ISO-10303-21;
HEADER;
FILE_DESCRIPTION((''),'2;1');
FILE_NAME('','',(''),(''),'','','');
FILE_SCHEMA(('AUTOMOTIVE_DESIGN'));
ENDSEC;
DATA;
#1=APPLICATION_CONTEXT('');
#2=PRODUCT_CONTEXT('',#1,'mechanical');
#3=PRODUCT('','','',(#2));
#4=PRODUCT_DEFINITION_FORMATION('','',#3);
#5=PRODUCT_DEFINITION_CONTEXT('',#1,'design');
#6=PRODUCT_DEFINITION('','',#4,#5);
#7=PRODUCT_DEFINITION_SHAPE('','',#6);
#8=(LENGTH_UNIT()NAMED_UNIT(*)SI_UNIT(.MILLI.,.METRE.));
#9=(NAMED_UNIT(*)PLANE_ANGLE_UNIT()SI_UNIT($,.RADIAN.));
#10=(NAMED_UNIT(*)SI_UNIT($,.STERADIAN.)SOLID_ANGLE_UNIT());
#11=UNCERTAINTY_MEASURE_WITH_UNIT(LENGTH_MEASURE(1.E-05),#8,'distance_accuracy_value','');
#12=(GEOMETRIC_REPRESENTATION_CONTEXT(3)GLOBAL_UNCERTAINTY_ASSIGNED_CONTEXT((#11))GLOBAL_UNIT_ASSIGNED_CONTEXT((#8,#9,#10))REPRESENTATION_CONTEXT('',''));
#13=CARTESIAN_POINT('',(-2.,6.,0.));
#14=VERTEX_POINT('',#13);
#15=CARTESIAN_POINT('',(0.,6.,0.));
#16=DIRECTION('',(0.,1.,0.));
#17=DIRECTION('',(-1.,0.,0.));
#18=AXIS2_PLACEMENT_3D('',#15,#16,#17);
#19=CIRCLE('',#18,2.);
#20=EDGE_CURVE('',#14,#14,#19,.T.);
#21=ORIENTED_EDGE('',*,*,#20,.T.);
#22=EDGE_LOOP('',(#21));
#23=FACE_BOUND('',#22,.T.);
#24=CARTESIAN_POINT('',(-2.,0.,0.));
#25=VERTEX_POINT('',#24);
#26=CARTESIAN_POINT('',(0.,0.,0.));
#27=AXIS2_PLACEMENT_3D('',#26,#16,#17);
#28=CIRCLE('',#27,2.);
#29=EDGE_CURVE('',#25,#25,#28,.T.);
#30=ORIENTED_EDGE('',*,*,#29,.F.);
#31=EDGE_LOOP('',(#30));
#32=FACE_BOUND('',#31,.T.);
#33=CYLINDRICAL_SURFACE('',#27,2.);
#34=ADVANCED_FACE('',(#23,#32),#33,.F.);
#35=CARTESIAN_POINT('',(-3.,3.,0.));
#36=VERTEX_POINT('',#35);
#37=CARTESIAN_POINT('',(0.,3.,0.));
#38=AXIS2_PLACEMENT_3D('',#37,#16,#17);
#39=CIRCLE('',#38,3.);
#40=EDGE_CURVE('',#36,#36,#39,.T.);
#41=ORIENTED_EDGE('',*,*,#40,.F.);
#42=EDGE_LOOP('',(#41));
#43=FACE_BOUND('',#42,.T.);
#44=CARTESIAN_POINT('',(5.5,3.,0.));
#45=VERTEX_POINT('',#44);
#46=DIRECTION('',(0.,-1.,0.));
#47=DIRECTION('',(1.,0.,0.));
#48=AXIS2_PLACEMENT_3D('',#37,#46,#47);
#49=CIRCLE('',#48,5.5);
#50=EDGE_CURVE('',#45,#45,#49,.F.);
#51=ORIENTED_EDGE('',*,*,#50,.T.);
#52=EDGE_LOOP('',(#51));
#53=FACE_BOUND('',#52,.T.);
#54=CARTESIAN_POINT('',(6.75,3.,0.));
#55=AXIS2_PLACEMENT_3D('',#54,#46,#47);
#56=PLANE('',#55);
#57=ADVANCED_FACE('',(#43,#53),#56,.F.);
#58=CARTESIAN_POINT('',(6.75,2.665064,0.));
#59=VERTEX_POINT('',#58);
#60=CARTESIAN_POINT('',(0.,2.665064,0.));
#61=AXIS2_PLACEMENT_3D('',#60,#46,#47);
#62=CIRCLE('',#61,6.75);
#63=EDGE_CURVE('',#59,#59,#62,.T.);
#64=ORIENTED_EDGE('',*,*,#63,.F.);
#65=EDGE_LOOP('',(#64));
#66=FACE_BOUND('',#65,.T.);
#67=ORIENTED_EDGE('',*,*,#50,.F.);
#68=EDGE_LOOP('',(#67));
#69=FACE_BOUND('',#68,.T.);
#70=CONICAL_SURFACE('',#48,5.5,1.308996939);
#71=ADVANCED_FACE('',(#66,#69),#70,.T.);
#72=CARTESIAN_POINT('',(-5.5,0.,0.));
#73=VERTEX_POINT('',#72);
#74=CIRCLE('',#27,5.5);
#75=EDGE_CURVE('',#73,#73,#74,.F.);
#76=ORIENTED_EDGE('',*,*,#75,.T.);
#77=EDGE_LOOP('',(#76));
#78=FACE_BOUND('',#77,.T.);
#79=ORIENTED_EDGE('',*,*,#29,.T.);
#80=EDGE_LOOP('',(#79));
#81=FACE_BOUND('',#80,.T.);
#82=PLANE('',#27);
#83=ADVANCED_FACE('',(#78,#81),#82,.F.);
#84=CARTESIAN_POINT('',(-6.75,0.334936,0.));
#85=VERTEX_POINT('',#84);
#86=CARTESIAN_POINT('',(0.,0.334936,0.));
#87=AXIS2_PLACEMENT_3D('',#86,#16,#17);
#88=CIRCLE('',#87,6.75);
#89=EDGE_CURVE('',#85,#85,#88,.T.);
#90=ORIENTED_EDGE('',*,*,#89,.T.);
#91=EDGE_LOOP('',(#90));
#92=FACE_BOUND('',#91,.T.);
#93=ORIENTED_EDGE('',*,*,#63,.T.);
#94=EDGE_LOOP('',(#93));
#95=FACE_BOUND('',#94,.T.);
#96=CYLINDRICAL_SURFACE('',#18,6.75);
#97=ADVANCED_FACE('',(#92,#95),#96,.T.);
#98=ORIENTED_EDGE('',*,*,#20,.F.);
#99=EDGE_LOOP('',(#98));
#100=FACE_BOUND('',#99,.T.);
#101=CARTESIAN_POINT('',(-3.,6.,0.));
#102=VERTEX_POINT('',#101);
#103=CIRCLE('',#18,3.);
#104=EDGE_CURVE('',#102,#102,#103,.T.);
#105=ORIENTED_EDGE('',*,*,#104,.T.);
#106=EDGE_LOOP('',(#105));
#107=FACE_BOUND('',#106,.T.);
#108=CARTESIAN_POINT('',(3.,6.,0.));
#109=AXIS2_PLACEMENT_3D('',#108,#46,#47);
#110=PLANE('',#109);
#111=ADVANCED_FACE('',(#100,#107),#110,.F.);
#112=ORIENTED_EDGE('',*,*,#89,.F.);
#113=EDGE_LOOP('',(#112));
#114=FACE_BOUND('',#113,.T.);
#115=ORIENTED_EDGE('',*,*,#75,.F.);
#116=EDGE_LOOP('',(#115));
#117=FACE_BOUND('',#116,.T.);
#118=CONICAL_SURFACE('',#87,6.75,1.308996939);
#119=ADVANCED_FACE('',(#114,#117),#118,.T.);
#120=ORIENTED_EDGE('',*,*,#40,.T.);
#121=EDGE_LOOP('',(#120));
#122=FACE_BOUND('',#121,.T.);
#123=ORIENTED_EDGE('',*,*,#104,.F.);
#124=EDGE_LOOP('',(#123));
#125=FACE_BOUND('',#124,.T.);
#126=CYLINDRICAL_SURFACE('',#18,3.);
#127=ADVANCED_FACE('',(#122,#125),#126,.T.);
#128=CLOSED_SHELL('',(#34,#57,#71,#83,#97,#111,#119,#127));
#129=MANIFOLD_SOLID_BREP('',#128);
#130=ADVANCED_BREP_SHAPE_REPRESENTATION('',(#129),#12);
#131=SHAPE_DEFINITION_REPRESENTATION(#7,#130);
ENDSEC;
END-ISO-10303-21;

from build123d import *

# Parameters (mm, degrees)
CHAMFER_2_SIZE           = 1.25
CHAMFER_2_SIZE2          = 0.334936491
CHAMFER_3_SIZE           = 1.25
CHAMFER_3_SIZE2          = 0.334936491
SKETCH_4_R               = 2
CUT_EXTRUDE_2_DEPTH      = 1
CUT_EXTRUDE_2_DEPTH_BACK = 7


with BuildPart() as part:
    # Эскиз2 → Повернуть2 (revolve)
    with BuildSketch(Plane.XY):
        Polygon((0, 0), (6.75, 0), (6.75, 3), (3, 3), (3, 6), (0, 6), align=None)
    revolve(axis=Axis((0, 6, 0), (0, -1, 0)))

    # Фаска2
    chamfer_2_edges = [part.edges().sort_by_distance(p)[0] for p in [
        (-6.75, 3, 0),
    ]]
    chamfer_2_side = [part.faces().sort_by_distance(p)[0] for p in [
        (-6.559081169, 3, 0),
    ]]
    chamfer(chamfer_2_edges, length=CHAMFER_2_SIZE, length2=CHAMFER_2_SIZE2, reference=chamfer_2_side[0])

    # Фаска3
    chamfer_3_edges = [part.edges().sort_by_distance(p)[0] for p in [
        (-6.75, 0, 0),
    ]]
    chamfer_3_side = [part.faces().sort_by_distance(p)[0] for p in [
        (0, 0, 0),
    ]]
    chamfer(chamfer_3_edges, length=CHAMFER_3_SIZE, length2=CHAMFER_3_SIZE2, reference=chamfer_3_side[0])

    # Эскиз4 → Вырез-Вытянуть2 (cut, two sides)
    with BuildSketch(Plane(origin=(0, 6, 0), x_dir=(1, 0, 0), z_dir=(0, 1, 0))) as cut_extrude_2_sk:
        Circle(SKETCH_4_R)
    extrude(amount=CUT_EXTRUDE_2_DEPTH, mode=Mode.SUBTRACT)
    extrude(cut_extrude_2_sk.sketch, amount=-CUT_EXTRUDE_2_DEPTH_BACK, mode=Mode.SUBTRACT)


solid = part.part
